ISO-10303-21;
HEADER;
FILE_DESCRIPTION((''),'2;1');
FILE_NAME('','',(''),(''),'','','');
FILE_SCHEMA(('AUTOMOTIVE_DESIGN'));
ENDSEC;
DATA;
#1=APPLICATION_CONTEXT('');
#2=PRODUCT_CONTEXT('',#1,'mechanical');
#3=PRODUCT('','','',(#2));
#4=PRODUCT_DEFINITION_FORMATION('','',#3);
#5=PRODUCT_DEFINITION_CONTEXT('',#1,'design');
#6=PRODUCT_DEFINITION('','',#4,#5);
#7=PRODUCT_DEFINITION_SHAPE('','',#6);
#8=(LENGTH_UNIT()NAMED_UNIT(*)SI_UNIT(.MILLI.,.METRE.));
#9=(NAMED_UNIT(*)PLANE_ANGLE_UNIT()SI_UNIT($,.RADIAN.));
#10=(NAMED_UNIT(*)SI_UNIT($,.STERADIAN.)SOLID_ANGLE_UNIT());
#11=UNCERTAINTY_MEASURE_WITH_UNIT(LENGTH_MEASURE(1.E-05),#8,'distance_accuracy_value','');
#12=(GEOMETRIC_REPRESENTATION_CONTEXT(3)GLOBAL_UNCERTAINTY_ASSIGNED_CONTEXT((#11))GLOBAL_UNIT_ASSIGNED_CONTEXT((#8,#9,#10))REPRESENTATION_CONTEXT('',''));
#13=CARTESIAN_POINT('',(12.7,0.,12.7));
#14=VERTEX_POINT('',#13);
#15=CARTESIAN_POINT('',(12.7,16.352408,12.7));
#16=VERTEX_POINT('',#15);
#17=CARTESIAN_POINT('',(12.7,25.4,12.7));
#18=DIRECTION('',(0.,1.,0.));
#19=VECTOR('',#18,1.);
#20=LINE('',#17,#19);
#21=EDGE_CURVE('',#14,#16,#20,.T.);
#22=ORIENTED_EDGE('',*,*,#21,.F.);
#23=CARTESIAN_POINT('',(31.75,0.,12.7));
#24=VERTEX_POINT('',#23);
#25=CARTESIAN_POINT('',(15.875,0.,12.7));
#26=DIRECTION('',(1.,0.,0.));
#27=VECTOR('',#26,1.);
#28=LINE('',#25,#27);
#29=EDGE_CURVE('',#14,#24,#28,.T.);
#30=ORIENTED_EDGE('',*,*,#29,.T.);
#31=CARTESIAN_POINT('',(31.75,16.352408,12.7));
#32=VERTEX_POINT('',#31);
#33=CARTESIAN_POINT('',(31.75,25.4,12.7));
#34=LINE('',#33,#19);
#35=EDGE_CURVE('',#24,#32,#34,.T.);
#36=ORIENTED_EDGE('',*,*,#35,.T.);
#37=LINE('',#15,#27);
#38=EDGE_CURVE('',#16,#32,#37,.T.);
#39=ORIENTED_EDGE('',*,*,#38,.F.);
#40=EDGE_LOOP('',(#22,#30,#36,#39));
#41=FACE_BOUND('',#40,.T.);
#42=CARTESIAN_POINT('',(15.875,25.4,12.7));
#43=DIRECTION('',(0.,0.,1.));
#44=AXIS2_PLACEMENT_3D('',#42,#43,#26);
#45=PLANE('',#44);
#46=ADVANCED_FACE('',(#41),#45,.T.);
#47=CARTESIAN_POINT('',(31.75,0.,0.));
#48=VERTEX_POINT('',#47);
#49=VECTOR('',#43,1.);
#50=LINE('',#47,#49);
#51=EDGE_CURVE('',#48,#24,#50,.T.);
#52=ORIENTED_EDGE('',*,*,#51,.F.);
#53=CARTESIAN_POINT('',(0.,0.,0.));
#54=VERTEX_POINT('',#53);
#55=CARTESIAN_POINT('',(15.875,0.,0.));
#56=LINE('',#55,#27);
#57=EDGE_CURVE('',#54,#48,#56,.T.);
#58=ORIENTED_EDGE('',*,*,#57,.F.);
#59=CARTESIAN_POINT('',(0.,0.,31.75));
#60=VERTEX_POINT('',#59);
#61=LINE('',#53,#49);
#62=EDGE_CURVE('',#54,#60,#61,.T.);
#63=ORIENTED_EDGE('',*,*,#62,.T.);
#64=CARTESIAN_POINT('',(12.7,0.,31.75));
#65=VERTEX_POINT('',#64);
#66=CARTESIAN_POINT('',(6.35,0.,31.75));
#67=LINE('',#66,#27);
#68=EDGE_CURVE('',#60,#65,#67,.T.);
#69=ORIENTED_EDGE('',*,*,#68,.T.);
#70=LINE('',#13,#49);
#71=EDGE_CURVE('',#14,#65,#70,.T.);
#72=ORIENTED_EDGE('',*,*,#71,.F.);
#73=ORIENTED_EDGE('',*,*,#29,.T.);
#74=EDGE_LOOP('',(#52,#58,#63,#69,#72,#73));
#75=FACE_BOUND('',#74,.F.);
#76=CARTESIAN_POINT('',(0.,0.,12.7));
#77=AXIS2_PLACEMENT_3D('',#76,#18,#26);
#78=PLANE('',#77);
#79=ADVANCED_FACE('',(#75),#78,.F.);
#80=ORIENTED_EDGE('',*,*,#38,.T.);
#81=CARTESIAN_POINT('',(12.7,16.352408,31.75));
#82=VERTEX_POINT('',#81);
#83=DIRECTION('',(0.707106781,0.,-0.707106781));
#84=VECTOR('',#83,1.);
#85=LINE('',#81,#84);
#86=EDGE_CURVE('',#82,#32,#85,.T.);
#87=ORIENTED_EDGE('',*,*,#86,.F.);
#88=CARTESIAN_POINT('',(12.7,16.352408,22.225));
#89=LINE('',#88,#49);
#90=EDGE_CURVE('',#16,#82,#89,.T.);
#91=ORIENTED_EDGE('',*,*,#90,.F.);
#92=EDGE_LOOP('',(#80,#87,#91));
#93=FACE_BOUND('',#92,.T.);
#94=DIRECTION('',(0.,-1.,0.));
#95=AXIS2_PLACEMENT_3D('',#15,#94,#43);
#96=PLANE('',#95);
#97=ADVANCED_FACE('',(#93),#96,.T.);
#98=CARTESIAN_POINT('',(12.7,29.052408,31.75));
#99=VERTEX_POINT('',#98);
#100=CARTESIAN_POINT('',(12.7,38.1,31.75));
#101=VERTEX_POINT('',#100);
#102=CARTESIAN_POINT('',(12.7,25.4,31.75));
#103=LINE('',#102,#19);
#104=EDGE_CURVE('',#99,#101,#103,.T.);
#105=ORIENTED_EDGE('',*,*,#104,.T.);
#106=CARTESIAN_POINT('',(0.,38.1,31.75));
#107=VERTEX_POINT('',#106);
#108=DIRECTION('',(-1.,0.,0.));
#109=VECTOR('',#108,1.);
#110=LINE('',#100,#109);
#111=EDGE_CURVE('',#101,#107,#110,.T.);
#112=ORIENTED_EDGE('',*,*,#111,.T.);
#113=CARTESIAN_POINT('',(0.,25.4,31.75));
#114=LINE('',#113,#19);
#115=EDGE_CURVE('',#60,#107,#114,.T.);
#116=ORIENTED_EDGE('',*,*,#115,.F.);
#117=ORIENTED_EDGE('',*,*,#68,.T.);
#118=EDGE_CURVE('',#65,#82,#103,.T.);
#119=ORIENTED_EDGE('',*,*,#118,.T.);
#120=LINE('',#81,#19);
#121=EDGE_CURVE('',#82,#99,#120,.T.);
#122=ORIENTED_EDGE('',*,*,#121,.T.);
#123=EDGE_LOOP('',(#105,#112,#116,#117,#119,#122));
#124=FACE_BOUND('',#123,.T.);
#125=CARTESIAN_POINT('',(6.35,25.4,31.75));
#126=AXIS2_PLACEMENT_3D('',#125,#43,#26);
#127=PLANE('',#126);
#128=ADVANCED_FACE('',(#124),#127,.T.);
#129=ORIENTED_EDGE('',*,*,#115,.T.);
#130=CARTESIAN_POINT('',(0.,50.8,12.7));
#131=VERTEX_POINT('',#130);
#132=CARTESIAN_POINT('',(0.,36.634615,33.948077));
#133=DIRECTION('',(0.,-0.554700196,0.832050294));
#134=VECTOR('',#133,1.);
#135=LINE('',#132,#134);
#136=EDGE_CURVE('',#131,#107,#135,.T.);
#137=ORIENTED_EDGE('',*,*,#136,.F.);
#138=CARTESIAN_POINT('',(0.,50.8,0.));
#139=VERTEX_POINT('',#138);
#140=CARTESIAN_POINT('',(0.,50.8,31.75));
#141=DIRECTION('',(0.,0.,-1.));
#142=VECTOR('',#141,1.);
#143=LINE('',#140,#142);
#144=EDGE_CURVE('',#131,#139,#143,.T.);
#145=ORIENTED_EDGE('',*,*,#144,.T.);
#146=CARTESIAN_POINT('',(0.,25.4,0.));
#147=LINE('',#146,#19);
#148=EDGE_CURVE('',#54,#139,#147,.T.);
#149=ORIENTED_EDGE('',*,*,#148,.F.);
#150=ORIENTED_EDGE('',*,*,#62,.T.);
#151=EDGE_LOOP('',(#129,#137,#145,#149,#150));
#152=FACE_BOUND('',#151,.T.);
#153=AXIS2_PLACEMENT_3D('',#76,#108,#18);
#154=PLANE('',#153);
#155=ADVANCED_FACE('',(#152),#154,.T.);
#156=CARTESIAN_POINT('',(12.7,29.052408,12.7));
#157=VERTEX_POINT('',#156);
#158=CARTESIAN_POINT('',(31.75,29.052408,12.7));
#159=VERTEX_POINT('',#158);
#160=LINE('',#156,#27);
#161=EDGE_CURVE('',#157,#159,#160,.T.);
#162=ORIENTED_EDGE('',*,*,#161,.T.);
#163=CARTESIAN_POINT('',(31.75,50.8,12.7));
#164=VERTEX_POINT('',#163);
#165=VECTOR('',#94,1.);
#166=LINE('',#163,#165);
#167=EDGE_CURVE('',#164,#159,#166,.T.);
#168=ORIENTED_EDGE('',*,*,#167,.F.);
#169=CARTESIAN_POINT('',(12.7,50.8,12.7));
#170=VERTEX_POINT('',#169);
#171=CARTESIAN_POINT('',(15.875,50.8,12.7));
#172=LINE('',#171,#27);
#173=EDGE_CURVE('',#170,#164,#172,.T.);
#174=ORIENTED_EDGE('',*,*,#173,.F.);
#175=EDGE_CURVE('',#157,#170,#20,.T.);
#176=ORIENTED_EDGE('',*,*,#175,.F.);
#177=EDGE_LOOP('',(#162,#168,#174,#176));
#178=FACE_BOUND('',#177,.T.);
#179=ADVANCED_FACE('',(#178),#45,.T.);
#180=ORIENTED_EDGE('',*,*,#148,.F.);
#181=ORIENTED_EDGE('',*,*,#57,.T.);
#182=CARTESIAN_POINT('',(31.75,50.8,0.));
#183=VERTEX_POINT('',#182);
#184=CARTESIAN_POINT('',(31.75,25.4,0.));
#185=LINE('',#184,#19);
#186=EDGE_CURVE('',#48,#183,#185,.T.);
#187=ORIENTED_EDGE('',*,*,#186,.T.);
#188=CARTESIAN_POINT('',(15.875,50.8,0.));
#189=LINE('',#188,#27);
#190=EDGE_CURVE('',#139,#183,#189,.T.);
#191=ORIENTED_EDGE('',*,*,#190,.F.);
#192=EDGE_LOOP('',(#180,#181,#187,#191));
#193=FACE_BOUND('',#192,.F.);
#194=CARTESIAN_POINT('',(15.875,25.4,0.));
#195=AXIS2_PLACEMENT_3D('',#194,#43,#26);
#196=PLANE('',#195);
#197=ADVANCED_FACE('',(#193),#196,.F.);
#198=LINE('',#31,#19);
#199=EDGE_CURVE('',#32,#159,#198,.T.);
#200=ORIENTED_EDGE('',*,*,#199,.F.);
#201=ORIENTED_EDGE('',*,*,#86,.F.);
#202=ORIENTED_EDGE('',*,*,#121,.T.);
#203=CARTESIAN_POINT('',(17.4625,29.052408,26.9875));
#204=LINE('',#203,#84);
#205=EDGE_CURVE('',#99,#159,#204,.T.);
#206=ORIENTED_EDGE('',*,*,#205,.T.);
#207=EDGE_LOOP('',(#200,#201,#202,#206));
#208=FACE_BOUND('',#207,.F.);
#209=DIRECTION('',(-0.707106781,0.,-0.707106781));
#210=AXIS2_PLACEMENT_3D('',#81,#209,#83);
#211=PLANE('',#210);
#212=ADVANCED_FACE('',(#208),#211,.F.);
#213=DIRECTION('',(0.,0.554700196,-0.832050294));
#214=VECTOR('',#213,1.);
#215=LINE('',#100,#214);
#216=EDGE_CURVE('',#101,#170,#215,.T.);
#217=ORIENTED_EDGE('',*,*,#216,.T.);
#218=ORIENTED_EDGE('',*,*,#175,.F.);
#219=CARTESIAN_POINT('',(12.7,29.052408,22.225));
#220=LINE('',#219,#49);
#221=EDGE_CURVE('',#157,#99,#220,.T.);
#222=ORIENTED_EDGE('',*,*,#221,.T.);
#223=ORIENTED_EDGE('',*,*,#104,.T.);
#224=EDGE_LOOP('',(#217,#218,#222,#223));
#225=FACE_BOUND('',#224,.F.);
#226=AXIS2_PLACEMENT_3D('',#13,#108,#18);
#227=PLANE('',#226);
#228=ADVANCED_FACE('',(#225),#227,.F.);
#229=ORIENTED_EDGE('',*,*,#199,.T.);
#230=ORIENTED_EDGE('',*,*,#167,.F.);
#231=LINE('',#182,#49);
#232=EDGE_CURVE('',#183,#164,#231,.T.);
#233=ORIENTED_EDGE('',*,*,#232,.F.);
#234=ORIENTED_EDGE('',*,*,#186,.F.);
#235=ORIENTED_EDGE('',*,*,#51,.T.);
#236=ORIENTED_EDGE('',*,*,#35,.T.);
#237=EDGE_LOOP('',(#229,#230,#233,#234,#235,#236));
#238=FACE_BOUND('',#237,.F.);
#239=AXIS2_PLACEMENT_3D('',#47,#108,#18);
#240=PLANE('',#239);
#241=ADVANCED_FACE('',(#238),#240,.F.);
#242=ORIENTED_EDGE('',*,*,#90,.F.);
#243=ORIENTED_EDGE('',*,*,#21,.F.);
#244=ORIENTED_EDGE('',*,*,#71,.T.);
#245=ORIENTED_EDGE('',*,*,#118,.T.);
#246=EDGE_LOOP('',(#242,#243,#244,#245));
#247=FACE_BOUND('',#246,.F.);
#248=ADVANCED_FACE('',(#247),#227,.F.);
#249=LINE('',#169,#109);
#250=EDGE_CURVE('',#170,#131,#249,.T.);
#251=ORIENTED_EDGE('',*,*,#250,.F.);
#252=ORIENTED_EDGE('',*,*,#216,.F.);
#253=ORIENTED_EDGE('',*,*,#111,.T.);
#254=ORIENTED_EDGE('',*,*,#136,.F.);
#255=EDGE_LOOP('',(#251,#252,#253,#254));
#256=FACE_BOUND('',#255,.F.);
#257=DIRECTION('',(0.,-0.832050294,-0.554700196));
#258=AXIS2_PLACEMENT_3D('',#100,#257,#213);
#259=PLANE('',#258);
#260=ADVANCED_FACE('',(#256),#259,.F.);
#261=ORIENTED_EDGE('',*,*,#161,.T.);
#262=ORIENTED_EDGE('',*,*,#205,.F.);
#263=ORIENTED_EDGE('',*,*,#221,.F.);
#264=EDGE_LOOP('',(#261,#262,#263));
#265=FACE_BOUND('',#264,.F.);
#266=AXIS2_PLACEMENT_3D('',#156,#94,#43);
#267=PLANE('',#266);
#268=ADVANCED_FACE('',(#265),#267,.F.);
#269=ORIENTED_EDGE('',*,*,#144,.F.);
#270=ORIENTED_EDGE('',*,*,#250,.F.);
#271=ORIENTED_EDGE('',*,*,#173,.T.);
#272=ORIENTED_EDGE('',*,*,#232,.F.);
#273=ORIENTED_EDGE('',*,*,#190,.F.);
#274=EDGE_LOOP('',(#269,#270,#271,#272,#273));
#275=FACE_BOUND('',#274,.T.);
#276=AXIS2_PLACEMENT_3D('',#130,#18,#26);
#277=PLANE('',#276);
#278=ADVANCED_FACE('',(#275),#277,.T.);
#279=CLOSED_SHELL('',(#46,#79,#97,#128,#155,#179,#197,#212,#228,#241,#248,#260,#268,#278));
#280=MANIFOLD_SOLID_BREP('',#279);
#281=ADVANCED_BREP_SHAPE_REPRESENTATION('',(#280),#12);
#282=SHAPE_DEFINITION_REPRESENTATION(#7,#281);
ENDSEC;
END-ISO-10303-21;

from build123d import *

# Parameters (mm, degrees)
F0_W     = 31.75
F0_H     = 50.8
F1_DEPTH = 12.7
F2_W     = 12.7
F2_H     = 50.8
F3_DEPTH = 19.05
F5_DEPTH = 25.4
F6_W     = 12.7
F6_H     = 19.05
F7_DEPTH = 19.05
F9_DEPTH = 25.4


with BuildPart() as f1:
    # F0 (on Top) → F1 (new body)
    with BuildSketch(Plane.XY):
        with Locations((15.875, 25.4)):
            Rectangle(F0_W, F0_H)
    extrude(amount=F1_DEPTH)

    # F2 (on face) → F3 (join)
    with BuildSketch(Plane.XY.offset(12.7)):
        with Locations((6.35, 25.4)):
            Rectangle(F2_W, F2_H)
    extrude(amount=F3_DEPTH)

    # F4 (on face) → F5 (cut)
    with BuildSketch(Plane.YZ.offset(12.7)):
        Polygon((50.8, 12.7), (50.8, 31.75), (38.1, 31.75), align=None)
    extrude(amount=-F5_DEPTH, mode=Mode.SUBTRACT)

    # F6 (on face) → F7 (join)
    with BuildSketch(Plane.YZ.offset(12.7)):
        with Locations((22.702408, 22.225)):
            Rectangle(F6_W, F6_H)
    extrude(amount=F7_DEPTH)

    # F8 (on face) → F9 (cut)
    with BuildSketch(Plane.XZ.offset(-16.352408)):
        Polygon((31.75, 12.7), (31.75, 31.75), (12.7, 31.75), align=None)
    extrude(amount=-F9_DEPTH, mode=Mode.SUBTRACT)


solid = f1.part
